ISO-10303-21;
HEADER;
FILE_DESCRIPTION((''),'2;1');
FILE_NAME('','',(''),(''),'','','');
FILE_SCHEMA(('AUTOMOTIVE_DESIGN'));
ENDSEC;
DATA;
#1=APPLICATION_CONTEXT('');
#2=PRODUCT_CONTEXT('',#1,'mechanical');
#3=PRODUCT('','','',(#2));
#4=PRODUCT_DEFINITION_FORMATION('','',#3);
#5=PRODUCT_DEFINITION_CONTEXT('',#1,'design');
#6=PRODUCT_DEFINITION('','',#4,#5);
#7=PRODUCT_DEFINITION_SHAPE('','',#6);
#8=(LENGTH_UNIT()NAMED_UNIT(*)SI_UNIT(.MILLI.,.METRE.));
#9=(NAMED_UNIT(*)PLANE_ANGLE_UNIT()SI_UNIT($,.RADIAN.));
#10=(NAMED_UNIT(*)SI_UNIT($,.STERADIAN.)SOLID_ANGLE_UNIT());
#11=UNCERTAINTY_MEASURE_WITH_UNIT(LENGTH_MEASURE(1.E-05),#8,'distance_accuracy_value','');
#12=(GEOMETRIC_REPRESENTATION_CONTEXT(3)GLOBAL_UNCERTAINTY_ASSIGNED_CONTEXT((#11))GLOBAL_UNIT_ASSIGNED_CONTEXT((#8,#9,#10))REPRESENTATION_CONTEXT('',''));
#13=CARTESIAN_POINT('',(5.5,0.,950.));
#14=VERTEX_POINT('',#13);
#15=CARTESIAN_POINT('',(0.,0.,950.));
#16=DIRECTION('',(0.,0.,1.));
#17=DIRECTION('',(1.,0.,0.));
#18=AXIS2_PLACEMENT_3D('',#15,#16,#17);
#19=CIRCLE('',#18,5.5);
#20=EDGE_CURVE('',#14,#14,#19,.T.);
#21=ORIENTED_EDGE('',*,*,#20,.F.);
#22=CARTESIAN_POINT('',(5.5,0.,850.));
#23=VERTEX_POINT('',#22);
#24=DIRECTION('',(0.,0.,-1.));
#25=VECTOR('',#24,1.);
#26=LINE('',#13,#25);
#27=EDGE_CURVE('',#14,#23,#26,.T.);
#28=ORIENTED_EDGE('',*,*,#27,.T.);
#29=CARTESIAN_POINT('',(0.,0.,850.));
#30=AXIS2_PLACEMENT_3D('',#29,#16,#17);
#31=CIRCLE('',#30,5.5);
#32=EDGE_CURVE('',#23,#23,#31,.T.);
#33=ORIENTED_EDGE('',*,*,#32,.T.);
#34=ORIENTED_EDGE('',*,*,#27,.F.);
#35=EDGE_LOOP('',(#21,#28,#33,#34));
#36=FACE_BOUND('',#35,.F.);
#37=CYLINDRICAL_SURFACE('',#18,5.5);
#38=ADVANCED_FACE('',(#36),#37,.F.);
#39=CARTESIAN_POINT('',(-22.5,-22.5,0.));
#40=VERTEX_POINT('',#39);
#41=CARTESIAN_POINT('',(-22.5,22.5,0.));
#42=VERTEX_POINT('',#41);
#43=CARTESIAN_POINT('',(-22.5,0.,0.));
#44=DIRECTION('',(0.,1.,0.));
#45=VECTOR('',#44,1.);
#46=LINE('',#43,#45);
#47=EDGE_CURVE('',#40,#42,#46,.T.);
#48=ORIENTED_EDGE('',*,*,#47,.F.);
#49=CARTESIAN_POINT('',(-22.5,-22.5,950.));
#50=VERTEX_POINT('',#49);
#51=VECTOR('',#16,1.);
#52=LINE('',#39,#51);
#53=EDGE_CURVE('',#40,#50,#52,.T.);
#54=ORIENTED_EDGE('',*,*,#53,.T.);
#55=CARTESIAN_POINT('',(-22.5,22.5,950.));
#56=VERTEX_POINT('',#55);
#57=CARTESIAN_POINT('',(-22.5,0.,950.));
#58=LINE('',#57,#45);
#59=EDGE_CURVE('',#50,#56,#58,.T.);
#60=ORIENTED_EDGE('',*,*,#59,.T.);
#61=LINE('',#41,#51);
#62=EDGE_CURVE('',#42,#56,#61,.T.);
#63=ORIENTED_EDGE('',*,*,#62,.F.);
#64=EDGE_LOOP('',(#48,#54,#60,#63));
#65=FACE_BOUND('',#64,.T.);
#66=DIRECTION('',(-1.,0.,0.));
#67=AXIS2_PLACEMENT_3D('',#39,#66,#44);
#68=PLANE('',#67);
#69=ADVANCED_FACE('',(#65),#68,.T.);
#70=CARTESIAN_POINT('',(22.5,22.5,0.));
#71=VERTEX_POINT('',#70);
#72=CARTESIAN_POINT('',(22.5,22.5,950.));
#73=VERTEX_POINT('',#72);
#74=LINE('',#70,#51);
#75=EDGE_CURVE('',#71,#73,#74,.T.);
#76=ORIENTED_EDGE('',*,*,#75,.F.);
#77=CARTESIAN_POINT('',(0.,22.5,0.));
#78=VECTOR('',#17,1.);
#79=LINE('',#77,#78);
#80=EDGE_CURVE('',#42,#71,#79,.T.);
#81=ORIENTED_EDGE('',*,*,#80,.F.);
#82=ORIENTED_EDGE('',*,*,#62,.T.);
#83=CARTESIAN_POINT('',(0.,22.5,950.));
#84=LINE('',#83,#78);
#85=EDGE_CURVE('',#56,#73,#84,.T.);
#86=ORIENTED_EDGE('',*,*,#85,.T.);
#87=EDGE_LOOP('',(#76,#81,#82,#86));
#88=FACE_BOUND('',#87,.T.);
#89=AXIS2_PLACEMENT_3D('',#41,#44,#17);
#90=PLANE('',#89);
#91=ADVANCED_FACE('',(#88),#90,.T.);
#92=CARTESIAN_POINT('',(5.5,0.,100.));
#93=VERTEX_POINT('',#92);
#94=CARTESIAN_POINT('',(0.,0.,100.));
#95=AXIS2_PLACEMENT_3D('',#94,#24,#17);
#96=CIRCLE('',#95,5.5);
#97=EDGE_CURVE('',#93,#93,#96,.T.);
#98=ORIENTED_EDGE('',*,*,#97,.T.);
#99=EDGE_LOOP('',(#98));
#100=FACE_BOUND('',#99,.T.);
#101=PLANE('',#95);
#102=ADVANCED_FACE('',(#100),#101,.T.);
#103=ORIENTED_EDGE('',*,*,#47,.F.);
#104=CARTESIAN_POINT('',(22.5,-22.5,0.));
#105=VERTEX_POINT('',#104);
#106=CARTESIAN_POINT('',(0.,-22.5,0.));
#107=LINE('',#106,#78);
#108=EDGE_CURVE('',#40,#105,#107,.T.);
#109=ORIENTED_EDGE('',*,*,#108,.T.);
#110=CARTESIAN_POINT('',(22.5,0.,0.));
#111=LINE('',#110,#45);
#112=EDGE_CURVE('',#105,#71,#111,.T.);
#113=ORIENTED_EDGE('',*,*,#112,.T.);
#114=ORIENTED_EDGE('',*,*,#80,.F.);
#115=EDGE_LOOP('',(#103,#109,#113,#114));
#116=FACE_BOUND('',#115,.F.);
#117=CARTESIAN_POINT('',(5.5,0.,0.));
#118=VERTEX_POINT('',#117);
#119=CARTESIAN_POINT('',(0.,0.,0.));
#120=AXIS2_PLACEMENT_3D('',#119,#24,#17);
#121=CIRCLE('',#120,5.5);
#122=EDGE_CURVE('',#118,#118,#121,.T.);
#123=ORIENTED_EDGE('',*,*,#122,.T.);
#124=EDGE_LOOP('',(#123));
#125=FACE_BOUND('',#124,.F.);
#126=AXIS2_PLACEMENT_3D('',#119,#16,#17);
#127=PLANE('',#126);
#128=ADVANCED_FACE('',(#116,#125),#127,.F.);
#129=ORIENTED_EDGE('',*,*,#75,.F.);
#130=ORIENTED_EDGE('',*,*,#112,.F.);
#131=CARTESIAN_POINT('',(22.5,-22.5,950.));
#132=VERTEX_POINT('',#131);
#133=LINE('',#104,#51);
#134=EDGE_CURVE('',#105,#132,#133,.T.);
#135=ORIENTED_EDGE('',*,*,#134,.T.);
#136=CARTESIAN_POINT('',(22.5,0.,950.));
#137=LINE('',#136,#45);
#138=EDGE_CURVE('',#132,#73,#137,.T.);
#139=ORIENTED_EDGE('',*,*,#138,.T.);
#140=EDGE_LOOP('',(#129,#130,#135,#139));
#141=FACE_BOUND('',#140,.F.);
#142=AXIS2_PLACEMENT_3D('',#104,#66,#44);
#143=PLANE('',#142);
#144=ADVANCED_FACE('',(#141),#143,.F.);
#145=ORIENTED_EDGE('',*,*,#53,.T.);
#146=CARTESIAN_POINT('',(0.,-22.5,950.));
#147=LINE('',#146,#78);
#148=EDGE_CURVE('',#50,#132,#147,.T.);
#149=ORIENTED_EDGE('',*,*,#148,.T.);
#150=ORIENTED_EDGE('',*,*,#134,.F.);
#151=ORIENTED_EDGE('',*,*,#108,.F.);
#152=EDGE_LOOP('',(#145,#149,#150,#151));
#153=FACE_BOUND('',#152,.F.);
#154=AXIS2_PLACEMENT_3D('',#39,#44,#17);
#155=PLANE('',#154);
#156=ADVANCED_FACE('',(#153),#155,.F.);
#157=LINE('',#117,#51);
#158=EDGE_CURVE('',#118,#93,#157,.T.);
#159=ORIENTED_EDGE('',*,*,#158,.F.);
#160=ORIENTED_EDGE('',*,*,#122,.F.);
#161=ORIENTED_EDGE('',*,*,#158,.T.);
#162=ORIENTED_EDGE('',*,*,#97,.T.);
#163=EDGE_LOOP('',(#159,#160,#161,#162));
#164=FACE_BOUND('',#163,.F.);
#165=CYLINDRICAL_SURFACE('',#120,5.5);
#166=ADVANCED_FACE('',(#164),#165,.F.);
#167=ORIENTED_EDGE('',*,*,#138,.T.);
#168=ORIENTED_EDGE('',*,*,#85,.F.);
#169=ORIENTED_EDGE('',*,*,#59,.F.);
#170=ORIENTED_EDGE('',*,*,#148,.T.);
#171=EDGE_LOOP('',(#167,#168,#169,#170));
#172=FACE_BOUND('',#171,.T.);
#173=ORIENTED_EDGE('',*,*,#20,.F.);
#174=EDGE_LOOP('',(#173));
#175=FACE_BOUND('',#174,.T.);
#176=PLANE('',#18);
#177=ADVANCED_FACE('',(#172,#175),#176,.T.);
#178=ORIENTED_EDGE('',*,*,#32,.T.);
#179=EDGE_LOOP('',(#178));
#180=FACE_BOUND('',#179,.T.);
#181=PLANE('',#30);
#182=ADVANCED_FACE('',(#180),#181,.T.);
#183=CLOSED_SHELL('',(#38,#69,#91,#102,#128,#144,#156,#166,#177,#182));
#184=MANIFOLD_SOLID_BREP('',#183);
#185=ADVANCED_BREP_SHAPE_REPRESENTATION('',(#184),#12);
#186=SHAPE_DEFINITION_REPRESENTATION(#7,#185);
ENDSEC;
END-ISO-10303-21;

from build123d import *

# Parameters (mm, degrees)
F0_W     = 45
F0_H     = 45
F1_DEPTH = 950
F3_R     = 5.5
F4_DEPTH = 100
F2_R     = 5.5
F5_DEPTH = 100


with BuildPart() as f1:
    # F0 (on Top) → F1 (new body)
    with BuildSketch(Plane.XY):
        Rectangle(F0_W, F0_H)
    extrude(amount=F1_DEPTH)

    # F3 (on face) → F4 (cut)
    with BuildSketch(Plane.XY.offset(950)):
        Circle(F3_R)
    extrude(amount=-F4_DEPTH, mode=Mode.SUBTRACT)

    # F2 (on face) → F5 (cut)
    with BuildSketch(Plane(origin=(0, 0, 0), x_dir=(1, 0, 0), z_dir=(0, 0, -1))):
        Circle(F2_R)
    extrude(amount=-F5_DEPTH, mode=Mode.SUBTRACT)


solid = f1.part
